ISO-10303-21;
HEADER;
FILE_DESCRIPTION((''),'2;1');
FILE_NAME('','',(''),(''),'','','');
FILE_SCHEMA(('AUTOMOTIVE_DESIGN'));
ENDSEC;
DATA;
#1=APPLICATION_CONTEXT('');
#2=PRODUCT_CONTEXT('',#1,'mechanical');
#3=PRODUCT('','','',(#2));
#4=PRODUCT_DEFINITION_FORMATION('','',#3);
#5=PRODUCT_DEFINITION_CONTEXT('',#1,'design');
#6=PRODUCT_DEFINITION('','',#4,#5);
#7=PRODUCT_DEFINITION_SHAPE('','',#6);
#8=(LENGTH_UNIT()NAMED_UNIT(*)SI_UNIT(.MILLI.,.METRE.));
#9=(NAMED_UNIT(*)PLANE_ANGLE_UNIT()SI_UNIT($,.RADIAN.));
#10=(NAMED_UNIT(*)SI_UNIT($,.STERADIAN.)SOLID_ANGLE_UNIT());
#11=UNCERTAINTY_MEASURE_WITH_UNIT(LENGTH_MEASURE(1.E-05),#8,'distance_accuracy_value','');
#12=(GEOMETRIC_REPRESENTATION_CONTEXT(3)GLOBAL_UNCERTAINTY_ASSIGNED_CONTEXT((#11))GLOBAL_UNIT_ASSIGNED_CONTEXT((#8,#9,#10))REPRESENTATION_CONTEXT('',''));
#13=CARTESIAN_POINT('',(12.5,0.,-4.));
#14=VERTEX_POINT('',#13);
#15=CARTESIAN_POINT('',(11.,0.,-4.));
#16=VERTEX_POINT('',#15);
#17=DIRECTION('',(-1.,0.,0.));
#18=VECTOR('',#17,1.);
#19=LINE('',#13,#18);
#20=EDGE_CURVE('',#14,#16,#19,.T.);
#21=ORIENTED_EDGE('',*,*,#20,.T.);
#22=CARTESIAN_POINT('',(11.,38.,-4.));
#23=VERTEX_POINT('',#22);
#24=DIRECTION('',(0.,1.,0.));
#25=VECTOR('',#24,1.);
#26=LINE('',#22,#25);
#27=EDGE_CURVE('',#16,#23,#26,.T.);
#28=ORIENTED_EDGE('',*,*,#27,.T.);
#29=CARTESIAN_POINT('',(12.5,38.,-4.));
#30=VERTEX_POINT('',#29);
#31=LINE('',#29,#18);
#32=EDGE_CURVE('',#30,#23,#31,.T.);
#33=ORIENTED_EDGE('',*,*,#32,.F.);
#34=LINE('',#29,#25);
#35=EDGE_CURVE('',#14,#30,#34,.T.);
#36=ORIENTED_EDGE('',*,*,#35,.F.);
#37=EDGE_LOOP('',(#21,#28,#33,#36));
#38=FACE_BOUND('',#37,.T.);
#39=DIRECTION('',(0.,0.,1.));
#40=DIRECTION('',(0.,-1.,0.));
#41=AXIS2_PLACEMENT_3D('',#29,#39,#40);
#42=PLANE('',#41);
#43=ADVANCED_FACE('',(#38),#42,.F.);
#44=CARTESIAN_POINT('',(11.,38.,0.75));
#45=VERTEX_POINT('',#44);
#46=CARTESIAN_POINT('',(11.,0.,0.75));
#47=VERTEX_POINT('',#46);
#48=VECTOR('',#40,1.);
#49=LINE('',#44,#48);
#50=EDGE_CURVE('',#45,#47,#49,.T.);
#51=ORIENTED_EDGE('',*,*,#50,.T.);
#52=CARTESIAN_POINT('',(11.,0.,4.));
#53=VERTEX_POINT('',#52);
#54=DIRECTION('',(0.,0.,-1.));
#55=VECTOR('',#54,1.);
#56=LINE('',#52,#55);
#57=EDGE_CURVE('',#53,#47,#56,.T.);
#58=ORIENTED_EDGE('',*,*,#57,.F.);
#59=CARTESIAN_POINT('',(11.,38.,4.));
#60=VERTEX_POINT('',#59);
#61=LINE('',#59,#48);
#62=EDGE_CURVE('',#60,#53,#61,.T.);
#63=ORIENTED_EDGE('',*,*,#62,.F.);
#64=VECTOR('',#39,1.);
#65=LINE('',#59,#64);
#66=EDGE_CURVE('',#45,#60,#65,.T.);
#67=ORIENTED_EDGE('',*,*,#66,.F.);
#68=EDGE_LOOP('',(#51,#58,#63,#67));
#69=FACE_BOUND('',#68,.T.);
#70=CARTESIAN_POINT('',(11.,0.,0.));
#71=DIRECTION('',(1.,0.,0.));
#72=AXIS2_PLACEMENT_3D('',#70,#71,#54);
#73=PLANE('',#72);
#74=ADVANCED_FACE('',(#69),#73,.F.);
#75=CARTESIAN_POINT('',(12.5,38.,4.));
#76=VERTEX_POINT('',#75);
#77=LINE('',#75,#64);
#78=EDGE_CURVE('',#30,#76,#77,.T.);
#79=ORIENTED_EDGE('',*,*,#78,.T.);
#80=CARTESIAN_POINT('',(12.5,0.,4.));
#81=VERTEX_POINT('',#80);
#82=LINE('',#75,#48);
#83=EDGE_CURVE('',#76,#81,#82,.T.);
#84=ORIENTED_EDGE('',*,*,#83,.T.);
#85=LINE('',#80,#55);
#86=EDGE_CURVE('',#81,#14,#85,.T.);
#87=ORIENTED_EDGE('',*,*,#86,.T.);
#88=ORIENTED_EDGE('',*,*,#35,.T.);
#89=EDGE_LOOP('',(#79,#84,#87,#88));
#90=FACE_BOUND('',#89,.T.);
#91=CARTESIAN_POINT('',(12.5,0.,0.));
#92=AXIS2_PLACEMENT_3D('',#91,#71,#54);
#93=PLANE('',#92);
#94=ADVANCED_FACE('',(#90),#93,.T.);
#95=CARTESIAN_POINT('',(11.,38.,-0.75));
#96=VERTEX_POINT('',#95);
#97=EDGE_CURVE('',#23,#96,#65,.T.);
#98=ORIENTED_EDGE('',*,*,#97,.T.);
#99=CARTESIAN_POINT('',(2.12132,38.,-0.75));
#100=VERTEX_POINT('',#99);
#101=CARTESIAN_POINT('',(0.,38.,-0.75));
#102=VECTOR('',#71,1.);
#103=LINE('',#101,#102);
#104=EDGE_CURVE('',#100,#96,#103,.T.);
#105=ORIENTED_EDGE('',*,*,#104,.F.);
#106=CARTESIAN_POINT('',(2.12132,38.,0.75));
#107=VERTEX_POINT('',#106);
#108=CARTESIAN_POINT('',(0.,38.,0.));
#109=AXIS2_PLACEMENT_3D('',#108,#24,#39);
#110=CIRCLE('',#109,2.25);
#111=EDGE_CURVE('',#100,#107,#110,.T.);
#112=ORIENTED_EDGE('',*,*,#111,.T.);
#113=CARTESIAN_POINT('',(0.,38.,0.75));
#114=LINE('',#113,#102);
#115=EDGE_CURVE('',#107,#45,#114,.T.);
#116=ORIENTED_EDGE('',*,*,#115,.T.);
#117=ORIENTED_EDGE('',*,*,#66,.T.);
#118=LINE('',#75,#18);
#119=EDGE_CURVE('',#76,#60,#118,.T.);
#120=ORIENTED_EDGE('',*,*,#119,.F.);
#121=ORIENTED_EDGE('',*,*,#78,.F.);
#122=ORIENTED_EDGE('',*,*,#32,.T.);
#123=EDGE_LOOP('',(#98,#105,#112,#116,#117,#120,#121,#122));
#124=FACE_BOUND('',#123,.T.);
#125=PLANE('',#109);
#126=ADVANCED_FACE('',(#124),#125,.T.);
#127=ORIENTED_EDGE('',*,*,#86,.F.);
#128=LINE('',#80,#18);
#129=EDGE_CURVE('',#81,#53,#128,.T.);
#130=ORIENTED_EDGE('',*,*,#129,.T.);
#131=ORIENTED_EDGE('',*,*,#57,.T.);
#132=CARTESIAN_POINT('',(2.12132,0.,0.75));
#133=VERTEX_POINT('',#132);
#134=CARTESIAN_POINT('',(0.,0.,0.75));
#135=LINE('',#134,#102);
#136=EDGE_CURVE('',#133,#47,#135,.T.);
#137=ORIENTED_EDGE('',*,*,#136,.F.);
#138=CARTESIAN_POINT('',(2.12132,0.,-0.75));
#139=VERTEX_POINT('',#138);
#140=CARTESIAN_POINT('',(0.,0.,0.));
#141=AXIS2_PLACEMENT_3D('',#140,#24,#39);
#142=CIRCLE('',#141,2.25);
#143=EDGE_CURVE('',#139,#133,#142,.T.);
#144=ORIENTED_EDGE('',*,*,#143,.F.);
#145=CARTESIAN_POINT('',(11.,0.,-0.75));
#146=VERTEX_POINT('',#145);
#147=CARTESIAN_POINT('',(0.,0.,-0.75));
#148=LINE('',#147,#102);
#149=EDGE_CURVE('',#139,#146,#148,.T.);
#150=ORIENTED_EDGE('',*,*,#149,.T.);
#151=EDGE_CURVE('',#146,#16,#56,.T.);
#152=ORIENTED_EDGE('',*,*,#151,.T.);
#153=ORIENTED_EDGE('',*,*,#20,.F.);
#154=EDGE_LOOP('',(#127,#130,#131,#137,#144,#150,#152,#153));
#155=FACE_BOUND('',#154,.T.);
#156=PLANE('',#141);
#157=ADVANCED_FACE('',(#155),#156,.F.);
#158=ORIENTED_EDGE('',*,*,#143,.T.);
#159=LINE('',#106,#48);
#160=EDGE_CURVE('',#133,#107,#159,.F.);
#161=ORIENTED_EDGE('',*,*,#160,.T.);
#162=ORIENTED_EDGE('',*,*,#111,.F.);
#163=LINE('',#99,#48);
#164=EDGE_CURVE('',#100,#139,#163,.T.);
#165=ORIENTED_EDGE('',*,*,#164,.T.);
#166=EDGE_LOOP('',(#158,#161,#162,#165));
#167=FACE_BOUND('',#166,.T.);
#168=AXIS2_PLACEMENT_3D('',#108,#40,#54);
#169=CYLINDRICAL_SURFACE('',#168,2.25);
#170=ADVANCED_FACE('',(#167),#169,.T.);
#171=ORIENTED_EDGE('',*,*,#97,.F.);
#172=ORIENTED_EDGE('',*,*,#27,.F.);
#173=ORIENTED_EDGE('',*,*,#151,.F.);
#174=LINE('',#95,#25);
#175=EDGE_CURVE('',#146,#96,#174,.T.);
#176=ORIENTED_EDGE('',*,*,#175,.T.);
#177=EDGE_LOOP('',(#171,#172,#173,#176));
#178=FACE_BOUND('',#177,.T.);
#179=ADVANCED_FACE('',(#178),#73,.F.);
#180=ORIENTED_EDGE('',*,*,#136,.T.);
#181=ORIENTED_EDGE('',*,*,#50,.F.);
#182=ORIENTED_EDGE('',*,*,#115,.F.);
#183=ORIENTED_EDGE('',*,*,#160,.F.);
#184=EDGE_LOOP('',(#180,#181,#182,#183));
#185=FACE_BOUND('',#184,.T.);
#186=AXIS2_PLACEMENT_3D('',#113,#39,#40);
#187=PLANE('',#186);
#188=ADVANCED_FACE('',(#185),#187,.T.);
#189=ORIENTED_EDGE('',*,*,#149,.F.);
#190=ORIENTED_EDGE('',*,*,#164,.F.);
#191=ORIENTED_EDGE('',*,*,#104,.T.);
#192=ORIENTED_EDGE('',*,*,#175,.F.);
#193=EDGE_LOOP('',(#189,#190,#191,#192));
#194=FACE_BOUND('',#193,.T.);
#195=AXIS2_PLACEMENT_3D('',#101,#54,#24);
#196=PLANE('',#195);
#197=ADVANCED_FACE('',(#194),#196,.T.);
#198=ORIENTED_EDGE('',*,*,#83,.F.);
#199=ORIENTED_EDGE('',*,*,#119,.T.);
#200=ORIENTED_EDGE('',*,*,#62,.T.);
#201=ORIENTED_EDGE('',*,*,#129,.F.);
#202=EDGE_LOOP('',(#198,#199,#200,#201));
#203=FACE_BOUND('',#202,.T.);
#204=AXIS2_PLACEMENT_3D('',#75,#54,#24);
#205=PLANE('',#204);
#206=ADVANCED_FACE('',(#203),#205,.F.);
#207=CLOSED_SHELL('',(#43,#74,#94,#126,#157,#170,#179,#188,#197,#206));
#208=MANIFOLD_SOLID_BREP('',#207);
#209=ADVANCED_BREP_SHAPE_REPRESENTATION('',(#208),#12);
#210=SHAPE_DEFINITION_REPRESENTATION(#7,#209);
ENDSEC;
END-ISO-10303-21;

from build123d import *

# Parameters (mm, degrees)
SKETCH_1_R           = 2.25
EXTRUDE_1_DEPTH      = 38
SKETCH_2_W           = 1.5
SKETCH_2_H           = 38
EXTRUDE_2_DEPTH      = 8
EXTRUDE_2_DEPTH_BACK = 3
SKETCH_3_W           = 8
SKETCH_3_H           = 38
EXTRUDE_3_DEPTH      = 1.5


with BuildPart() as part:
    # 草圖1 → 填料-伸長1 (new body)
    with BuildSketch(Plane(origin=(0, 0, 0), x_dir=(1, 0, 0), z_dir=(0, 1, 0))):
        Circle(SKETCH_1_R)
    extrude(amount=EXTRUDE_1_DEPTH)

    # 草圖2 → 填料-伸長2 (add, two sides)
    with BuildSketch(Plane(origin=(3, 0, 0), x_dir=(0, 0, -1), z_dir=(1, 0, 0))) as extrude_2_sk:
        with Locations((0, 19)):
            Rectangle(SKETCH_2_W, SKETCH_2_H)
    extrude(amount=EXTRUDE_2_DEPTH)
    extrude(extrude_2_sk.sketch, amount=-EXTRUDE_2_DEPTH_BACK)

    # 草圖3 → 填料-伸長3 (add)
    with BuildSketch(Plane(origin=(11, 0, 0), x_dir=(0, 0, -1), z_dir=(1, 0, 0))):
        with Locations((0, 19)):
            Rectangle(SKETCH_3_W, SKETCH_3_H)
    extrude(amount=EXTRUDE_3_DEPTH)


solid = part.part
